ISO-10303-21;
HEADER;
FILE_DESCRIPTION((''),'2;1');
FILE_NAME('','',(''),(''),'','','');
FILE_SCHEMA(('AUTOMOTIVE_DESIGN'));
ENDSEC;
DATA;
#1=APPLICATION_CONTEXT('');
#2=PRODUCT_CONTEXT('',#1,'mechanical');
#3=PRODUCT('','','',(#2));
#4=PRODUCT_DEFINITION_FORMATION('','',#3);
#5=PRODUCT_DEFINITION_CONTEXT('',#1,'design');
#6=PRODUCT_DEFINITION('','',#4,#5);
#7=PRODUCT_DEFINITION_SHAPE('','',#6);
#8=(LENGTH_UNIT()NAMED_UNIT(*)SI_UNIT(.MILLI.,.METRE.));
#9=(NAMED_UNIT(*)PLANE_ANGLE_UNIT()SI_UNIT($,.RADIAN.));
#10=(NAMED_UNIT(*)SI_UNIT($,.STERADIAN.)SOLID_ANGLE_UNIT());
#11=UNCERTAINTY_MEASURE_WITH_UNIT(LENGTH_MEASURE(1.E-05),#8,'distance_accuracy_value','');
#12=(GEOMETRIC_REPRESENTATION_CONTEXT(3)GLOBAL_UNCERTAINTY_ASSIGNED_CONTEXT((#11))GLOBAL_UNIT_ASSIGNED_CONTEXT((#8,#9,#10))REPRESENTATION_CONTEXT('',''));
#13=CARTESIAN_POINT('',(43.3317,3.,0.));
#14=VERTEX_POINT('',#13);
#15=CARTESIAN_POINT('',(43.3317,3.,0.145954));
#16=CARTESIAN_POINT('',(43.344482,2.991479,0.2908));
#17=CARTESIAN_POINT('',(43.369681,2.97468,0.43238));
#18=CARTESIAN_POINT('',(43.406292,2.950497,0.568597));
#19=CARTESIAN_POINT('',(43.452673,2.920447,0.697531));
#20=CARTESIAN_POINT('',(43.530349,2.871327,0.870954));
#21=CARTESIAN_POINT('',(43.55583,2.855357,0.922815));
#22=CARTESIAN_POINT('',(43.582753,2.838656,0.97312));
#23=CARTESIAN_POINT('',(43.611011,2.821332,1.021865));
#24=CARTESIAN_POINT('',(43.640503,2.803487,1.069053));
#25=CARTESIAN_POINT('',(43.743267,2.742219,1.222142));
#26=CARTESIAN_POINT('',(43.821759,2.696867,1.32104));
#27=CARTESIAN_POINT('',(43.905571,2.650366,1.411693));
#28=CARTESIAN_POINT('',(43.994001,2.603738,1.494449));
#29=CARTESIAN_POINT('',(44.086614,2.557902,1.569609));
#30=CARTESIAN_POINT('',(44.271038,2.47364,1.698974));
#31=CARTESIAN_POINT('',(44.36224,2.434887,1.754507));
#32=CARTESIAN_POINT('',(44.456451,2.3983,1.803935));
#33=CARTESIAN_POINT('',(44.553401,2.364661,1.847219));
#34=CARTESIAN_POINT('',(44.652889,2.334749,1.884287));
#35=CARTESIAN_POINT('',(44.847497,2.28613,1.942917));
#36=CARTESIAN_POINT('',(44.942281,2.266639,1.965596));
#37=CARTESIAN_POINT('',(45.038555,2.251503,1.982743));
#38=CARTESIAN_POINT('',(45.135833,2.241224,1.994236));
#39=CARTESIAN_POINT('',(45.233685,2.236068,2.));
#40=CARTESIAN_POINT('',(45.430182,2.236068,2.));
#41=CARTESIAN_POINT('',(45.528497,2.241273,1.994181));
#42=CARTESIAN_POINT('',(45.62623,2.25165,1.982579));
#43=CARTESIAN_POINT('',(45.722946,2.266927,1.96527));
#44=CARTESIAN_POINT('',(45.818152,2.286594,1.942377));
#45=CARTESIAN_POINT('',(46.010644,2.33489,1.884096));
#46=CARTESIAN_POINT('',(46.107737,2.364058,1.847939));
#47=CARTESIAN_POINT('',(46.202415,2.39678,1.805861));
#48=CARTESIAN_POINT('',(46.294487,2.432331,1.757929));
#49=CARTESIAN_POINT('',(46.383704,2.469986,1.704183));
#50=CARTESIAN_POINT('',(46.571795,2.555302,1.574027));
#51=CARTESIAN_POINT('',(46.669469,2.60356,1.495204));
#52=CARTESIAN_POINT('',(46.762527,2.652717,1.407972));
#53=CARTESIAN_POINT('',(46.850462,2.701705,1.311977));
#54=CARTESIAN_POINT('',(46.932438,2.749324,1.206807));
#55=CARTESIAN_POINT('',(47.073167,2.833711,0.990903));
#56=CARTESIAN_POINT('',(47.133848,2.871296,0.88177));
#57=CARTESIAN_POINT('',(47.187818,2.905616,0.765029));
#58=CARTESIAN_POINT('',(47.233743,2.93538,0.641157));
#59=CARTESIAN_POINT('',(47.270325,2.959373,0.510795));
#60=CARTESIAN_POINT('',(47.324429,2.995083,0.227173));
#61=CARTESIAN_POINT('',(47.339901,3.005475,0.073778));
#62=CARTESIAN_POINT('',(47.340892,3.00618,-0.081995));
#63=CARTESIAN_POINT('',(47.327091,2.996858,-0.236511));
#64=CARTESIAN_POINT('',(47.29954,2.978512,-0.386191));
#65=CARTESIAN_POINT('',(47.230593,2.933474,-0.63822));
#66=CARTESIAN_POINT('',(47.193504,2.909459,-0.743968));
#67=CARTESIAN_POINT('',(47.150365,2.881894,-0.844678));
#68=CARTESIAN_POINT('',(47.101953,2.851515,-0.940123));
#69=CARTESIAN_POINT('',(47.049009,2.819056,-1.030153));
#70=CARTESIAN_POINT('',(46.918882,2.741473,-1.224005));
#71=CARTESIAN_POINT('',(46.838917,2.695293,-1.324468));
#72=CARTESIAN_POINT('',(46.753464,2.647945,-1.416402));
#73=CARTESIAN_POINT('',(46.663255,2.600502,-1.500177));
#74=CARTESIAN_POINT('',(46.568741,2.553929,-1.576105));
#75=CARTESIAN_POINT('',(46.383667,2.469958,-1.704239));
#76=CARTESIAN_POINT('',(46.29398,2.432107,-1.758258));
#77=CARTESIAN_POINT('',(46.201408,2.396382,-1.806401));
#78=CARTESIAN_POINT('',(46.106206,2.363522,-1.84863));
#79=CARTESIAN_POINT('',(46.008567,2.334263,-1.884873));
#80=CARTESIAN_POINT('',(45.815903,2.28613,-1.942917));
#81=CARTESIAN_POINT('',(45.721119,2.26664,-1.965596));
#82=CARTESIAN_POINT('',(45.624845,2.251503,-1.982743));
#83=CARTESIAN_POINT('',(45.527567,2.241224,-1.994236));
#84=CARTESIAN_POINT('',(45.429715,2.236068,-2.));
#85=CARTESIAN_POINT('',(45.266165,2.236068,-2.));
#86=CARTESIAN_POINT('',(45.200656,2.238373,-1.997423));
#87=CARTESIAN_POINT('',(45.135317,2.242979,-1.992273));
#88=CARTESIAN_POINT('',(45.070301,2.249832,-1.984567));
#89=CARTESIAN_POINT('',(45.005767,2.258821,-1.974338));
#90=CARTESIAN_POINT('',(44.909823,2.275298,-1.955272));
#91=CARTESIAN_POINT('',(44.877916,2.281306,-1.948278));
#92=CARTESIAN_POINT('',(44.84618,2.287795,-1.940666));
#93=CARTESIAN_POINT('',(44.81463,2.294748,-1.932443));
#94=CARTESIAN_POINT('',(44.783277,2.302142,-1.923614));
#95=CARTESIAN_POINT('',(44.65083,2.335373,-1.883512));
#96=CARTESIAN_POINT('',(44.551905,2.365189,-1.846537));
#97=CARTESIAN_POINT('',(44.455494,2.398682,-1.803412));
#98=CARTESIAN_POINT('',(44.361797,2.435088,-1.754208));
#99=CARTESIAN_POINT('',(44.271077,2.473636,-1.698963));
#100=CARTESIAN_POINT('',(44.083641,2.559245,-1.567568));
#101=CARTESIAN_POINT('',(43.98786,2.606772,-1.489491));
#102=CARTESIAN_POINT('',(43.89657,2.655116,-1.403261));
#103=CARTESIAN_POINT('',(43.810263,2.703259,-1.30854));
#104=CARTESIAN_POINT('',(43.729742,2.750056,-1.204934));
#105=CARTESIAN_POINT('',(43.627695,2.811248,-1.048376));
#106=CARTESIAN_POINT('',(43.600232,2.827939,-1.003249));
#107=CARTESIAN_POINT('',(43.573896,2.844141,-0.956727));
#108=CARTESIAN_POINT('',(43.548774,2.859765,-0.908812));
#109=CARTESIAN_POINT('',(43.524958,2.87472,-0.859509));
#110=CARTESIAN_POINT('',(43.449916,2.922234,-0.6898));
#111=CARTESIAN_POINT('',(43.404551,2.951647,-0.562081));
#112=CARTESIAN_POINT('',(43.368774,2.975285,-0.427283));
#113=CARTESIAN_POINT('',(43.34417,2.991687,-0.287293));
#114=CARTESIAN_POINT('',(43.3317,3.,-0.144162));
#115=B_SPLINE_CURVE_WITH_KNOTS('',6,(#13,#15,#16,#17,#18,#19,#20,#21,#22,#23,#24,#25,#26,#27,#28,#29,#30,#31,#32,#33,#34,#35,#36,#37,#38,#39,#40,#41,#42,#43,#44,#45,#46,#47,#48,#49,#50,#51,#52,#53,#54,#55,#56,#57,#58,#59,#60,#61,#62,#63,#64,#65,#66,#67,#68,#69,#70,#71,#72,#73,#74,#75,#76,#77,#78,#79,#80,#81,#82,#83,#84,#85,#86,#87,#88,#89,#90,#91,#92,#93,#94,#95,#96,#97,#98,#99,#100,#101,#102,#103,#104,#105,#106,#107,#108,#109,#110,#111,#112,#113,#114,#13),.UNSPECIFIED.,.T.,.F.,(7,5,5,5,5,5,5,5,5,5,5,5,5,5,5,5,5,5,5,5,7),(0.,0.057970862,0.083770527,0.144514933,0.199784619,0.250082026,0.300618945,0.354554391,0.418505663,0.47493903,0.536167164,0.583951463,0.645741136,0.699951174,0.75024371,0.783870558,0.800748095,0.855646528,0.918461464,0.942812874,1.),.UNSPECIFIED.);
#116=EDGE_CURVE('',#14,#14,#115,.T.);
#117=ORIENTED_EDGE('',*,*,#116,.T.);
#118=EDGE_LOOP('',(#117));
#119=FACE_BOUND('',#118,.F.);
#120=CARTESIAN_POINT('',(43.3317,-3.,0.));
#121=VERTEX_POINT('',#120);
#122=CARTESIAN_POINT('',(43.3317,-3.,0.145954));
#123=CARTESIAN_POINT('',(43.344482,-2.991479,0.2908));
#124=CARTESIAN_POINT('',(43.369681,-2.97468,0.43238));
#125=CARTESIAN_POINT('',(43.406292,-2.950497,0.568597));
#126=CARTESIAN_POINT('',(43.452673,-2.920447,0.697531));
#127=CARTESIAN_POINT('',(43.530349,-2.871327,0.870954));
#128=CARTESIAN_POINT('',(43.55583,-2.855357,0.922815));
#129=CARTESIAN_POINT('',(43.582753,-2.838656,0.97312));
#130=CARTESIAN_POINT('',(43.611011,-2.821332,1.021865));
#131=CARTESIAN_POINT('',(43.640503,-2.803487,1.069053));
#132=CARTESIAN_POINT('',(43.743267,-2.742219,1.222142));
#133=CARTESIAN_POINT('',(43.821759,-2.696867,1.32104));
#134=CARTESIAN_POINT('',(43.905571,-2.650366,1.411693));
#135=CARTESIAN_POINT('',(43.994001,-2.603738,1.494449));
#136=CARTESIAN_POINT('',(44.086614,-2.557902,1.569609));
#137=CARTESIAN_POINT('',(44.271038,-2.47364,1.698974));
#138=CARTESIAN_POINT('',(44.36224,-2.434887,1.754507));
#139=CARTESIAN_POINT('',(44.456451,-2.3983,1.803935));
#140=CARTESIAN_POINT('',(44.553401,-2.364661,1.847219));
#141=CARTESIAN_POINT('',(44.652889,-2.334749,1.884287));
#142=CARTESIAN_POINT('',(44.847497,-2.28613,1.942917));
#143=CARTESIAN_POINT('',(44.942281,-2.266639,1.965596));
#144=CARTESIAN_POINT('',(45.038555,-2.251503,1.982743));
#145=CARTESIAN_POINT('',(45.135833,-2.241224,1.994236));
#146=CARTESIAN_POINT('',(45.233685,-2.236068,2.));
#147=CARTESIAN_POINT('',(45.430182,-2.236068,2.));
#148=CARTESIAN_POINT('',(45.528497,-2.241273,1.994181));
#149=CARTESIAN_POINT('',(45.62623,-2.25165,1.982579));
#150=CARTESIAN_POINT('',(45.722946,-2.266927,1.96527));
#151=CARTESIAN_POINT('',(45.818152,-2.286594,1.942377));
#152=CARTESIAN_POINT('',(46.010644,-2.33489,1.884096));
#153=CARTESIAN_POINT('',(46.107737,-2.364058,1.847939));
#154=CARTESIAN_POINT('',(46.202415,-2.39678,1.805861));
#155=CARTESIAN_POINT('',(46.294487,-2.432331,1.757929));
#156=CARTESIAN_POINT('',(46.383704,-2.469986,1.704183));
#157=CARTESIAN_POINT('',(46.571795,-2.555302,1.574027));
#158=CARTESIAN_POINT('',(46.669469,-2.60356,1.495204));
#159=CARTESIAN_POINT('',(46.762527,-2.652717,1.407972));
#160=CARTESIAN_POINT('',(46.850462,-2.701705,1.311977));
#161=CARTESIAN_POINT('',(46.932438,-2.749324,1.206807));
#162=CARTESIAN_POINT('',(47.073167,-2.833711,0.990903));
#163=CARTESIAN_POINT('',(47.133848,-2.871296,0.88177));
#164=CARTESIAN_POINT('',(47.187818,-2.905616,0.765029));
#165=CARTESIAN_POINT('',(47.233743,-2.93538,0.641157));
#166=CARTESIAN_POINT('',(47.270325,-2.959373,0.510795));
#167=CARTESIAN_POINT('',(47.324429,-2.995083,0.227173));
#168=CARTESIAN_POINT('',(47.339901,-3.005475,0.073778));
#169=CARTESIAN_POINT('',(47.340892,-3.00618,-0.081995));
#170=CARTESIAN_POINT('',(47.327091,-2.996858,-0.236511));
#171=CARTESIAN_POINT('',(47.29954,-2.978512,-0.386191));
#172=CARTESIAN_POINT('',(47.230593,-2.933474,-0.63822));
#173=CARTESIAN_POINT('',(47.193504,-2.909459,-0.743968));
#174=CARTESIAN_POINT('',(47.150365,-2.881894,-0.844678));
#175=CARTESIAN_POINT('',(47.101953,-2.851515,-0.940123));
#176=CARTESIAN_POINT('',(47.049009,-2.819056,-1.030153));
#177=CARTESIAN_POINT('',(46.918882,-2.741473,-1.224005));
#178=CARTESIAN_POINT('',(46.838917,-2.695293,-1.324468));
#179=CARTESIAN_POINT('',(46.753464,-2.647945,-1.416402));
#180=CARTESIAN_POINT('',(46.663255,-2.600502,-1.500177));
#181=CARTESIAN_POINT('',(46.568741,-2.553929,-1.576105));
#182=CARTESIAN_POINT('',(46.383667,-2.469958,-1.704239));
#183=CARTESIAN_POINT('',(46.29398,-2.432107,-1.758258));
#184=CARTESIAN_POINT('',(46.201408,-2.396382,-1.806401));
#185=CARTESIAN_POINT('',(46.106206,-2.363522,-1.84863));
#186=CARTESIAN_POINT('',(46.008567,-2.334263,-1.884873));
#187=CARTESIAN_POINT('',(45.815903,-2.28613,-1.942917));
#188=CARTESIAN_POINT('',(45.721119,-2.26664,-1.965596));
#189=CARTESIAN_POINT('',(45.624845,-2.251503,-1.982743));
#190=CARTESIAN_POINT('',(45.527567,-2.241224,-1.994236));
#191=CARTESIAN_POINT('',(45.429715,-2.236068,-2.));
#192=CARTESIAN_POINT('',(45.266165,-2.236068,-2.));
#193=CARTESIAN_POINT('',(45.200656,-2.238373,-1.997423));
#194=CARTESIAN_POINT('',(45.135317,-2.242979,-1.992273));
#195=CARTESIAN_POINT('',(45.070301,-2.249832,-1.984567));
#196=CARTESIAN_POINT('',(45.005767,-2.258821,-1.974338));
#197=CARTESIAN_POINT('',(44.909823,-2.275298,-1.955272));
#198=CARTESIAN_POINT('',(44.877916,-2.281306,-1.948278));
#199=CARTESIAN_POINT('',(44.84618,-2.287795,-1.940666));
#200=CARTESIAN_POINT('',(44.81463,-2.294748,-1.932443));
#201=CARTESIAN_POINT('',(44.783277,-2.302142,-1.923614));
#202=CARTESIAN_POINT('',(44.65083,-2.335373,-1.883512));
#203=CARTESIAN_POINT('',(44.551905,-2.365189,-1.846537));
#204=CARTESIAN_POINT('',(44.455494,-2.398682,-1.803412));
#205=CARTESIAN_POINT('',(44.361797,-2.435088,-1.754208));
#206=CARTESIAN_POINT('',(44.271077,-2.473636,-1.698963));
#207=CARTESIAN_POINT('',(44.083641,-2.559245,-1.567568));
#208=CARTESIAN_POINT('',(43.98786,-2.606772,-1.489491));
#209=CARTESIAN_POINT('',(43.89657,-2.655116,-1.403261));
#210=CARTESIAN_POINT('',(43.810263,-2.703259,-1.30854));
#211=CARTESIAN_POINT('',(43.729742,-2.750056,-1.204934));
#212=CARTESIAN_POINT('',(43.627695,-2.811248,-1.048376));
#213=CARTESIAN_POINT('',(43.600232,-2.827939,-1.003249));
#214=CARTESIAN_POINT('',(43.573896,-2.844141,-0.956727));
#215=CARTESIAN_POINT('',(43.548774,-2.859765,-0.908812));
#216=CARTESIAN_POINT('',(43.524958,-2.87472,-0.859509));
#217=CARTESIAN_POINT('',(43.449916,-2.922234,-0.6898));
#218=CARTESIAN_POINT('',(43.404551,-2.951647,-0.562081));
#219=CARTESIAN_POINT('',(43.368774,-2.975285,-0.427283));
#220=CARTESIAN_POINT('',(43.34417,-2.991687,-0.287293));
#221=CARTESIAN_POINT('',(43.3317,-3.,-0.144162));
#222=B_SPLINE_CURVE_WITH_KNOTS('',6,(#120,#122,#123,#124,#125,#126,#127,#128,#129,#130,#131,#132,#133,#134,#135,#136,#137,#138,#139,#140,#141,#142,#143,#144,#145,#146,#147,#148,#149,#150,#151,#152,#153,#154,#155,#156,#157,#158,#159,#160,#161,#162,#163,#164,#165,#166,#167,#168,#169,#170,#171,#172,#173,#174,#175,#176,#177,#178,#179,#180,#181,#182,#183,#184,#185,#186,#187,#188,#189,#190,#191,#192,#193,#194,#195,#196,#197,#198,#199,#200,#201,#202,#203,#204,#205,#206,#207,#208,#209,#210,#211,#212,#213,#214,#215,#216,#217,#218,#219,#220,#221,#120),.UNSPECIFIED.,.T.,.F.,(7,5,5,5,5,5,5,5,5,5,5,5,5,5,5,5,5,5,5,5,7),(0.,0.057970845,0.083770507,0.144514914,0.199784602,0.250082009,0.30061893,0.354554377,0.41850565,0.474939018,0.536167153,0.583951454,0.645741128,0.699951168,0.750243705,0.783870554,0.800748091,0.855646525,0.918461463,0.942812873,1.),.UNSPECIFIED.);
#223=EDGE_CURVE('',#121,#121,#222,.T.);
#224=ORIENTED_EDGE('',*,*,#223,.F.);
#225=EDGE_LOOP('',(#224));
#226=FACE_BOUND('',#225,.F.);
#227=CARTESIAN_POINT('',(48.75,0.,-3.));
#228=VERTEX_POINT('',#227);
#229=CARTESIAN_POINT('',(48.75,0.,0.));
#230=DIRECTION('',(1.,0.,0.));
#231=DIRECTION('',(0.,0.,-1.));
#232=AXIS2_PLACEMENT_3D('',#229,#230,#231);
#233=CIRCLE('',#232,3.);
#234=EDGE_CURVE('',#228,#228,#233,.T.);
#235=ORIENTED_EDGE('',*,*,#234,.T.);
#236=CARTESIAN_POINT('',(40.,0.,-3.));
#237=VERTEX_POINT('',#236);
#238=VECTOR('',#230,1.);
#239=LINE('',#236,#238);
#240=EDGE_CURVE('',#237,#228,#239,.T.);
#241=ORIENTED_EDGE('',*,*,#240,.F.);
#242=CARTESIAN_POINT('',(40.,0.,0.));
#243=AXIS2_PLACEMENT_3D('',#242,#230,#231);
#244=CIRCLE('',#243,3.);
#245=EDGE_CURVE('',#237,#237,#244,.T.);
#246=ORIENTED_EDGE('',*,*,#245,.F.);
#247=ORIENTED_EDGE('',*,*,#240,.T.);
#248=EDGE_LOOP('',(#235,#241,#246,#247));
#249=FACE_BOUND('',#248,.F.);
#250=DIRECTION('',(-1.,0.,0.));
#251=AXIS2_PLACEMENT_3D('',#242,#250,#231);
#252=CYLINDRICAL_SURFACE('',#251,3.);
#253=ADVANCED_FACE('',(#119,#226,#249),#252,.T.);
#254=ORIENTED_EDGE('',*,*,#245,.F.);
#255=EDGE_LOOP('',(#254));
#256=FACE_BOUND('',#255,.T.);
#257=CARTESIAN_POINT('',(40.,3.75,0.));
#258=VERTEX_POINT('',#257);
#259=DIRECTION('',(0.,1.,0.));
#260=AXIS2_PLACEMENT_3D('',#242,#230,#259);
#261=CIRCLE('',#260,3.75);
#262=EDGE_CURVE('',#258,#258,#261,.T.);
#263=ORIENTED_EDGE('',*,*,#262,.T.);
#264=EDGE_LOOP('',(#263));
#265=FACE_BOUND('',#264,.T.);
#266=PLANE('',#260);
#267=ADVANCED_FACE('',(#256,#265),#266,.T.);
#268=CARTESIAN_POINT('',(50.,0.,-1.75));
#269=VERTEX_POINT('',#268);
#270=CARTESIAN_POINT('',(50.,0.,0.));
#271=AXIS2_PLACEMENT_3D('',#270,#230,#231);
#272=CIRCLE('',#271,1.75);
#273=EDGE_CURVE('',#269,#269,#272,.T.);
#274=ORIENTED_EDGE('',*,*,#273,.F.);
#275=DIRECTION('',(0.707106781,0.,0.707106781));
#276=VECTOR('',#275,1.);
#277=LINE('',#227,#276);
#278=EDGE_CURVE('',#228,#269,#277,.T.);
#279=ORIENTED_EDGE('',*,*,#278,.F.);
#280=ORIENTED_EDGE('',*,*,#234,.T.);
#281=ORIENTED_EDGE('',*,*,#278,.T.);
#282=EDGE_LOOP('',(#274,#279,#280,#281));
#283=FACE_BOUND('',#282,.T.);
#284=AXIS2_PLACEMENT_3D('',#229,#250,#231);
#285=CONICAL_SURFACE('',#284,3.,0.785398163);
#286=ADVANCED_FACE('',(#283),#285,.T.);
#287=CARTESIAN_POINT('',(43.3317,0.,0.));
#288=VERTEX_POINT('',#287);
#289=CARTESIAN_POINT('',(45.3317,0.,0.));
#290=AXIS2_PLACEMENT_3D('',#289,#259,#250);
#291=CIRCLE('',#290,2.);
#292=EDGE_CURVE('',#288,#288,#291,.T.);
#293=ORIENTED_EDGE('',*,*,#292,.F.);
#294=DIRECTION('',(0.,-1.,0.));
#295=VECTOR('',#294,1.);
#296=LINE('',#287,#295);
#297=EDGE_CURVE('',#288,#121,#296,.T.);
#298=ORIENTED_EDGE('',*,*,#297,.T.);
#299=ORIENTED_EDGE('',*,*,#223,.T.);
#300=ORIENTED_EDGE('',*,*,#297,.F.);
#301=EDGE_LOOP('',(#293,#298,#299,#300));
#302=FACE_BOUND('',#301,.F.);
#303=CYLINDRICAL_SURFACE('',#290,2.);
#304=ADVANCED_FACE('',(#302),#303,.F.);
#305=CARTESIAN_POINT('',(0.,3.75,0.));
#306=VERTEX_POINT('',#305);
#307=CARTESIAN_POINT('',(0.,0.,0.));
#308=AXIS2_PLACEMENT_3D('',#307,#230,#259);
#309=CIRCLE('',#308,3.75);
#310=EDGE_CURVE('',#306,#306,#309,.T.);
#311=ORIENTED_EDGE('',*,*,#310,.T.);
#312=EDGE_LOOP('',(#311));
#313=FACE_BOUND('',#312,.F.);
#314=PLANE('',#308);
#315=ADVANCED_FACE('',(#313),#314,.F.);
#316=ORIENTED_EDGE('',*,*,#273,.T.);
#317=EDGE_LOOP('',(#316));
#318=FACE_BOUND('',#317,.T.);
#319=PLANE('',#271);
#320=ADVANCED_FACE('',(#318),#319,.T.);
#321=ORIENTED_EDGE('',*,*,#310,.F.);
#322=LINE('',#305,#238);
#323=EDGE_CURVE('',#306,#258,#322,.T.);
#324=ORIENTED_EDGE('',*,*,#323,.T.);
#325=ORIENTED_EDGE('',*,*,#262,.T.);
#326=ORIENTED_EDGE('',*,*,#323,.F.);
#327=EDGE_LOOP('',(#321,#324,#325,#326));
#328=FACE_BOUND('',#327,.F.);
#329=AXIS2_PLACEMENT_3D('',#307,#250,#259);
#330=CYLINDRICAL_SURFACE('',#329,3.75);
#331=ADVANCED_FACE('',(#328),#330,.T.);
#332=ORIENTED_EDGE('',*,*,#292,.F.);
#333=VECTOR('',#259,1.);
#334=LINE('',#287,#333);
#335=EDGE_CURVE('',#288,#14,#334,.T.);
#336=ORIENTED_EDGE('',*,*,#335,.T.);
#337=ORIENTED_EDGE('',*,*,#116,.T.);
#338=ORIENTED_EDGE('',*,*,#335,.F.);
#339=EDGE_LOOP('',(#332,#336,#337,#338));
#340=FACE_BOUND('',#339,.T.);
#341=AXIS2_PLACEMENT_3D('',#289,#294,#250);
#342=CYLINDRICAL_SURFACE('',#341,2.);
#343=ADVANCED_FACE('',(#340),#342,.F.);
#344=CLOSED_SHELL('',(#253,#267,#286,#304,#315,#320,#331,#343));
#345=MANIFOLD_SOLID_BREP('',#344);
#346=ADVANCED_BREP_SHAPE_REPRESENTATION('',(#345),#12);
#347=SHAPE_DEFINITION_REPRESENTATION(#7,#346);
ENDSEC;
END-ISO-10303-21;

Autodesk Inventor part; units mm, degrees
ref_plane "YZ Plane" through (0, 0, 0) normal (1, 0, 0) x (0, 1, 0)
ref_plane "XY Plane" through (0, 0, 0) normal (0, 0, 1) x (1, 0, 0)
sketch "Sketch1" plane through (0, 0, 0) normal (1, 0, 0) x (0, 1, 0)
  circle A0 centre (0, 0) radius 3.75
  dimension "d0" = 7.5
extrude "Extrusion1" add sketch "Sketch1" along normal blind 40
sketch "Sketch2" plane through (40, 0, 0) normal (1, 0, 0) x (0, 0, -1)
  circle A0 centre (0, 0) radius 3
  dimension "d3" = 6
extrude "Extrusion2" add sketch "Sketch2" along normal blind 10
chamfer "Chamfer1" distance 1.25 angle 45 1 edges at (50, 0, 3)
ref_plane "Work Plane1" through (0, 0, 0) normal (0, 1, 0) x (-1, 0, 0)
sketch "Sketch3" plane through (0, 0, 0) normal (0, 1, 0) x (-1, 0, 0)
  circle A0 centre (-45.3317, 0) radius 2
  point P0 (0, 0)
  dimension "d10" = 4
extrude "Extrusion3" cut sketch "Sketch3" along normal mid plane 10
properties part number "2nd extender"
